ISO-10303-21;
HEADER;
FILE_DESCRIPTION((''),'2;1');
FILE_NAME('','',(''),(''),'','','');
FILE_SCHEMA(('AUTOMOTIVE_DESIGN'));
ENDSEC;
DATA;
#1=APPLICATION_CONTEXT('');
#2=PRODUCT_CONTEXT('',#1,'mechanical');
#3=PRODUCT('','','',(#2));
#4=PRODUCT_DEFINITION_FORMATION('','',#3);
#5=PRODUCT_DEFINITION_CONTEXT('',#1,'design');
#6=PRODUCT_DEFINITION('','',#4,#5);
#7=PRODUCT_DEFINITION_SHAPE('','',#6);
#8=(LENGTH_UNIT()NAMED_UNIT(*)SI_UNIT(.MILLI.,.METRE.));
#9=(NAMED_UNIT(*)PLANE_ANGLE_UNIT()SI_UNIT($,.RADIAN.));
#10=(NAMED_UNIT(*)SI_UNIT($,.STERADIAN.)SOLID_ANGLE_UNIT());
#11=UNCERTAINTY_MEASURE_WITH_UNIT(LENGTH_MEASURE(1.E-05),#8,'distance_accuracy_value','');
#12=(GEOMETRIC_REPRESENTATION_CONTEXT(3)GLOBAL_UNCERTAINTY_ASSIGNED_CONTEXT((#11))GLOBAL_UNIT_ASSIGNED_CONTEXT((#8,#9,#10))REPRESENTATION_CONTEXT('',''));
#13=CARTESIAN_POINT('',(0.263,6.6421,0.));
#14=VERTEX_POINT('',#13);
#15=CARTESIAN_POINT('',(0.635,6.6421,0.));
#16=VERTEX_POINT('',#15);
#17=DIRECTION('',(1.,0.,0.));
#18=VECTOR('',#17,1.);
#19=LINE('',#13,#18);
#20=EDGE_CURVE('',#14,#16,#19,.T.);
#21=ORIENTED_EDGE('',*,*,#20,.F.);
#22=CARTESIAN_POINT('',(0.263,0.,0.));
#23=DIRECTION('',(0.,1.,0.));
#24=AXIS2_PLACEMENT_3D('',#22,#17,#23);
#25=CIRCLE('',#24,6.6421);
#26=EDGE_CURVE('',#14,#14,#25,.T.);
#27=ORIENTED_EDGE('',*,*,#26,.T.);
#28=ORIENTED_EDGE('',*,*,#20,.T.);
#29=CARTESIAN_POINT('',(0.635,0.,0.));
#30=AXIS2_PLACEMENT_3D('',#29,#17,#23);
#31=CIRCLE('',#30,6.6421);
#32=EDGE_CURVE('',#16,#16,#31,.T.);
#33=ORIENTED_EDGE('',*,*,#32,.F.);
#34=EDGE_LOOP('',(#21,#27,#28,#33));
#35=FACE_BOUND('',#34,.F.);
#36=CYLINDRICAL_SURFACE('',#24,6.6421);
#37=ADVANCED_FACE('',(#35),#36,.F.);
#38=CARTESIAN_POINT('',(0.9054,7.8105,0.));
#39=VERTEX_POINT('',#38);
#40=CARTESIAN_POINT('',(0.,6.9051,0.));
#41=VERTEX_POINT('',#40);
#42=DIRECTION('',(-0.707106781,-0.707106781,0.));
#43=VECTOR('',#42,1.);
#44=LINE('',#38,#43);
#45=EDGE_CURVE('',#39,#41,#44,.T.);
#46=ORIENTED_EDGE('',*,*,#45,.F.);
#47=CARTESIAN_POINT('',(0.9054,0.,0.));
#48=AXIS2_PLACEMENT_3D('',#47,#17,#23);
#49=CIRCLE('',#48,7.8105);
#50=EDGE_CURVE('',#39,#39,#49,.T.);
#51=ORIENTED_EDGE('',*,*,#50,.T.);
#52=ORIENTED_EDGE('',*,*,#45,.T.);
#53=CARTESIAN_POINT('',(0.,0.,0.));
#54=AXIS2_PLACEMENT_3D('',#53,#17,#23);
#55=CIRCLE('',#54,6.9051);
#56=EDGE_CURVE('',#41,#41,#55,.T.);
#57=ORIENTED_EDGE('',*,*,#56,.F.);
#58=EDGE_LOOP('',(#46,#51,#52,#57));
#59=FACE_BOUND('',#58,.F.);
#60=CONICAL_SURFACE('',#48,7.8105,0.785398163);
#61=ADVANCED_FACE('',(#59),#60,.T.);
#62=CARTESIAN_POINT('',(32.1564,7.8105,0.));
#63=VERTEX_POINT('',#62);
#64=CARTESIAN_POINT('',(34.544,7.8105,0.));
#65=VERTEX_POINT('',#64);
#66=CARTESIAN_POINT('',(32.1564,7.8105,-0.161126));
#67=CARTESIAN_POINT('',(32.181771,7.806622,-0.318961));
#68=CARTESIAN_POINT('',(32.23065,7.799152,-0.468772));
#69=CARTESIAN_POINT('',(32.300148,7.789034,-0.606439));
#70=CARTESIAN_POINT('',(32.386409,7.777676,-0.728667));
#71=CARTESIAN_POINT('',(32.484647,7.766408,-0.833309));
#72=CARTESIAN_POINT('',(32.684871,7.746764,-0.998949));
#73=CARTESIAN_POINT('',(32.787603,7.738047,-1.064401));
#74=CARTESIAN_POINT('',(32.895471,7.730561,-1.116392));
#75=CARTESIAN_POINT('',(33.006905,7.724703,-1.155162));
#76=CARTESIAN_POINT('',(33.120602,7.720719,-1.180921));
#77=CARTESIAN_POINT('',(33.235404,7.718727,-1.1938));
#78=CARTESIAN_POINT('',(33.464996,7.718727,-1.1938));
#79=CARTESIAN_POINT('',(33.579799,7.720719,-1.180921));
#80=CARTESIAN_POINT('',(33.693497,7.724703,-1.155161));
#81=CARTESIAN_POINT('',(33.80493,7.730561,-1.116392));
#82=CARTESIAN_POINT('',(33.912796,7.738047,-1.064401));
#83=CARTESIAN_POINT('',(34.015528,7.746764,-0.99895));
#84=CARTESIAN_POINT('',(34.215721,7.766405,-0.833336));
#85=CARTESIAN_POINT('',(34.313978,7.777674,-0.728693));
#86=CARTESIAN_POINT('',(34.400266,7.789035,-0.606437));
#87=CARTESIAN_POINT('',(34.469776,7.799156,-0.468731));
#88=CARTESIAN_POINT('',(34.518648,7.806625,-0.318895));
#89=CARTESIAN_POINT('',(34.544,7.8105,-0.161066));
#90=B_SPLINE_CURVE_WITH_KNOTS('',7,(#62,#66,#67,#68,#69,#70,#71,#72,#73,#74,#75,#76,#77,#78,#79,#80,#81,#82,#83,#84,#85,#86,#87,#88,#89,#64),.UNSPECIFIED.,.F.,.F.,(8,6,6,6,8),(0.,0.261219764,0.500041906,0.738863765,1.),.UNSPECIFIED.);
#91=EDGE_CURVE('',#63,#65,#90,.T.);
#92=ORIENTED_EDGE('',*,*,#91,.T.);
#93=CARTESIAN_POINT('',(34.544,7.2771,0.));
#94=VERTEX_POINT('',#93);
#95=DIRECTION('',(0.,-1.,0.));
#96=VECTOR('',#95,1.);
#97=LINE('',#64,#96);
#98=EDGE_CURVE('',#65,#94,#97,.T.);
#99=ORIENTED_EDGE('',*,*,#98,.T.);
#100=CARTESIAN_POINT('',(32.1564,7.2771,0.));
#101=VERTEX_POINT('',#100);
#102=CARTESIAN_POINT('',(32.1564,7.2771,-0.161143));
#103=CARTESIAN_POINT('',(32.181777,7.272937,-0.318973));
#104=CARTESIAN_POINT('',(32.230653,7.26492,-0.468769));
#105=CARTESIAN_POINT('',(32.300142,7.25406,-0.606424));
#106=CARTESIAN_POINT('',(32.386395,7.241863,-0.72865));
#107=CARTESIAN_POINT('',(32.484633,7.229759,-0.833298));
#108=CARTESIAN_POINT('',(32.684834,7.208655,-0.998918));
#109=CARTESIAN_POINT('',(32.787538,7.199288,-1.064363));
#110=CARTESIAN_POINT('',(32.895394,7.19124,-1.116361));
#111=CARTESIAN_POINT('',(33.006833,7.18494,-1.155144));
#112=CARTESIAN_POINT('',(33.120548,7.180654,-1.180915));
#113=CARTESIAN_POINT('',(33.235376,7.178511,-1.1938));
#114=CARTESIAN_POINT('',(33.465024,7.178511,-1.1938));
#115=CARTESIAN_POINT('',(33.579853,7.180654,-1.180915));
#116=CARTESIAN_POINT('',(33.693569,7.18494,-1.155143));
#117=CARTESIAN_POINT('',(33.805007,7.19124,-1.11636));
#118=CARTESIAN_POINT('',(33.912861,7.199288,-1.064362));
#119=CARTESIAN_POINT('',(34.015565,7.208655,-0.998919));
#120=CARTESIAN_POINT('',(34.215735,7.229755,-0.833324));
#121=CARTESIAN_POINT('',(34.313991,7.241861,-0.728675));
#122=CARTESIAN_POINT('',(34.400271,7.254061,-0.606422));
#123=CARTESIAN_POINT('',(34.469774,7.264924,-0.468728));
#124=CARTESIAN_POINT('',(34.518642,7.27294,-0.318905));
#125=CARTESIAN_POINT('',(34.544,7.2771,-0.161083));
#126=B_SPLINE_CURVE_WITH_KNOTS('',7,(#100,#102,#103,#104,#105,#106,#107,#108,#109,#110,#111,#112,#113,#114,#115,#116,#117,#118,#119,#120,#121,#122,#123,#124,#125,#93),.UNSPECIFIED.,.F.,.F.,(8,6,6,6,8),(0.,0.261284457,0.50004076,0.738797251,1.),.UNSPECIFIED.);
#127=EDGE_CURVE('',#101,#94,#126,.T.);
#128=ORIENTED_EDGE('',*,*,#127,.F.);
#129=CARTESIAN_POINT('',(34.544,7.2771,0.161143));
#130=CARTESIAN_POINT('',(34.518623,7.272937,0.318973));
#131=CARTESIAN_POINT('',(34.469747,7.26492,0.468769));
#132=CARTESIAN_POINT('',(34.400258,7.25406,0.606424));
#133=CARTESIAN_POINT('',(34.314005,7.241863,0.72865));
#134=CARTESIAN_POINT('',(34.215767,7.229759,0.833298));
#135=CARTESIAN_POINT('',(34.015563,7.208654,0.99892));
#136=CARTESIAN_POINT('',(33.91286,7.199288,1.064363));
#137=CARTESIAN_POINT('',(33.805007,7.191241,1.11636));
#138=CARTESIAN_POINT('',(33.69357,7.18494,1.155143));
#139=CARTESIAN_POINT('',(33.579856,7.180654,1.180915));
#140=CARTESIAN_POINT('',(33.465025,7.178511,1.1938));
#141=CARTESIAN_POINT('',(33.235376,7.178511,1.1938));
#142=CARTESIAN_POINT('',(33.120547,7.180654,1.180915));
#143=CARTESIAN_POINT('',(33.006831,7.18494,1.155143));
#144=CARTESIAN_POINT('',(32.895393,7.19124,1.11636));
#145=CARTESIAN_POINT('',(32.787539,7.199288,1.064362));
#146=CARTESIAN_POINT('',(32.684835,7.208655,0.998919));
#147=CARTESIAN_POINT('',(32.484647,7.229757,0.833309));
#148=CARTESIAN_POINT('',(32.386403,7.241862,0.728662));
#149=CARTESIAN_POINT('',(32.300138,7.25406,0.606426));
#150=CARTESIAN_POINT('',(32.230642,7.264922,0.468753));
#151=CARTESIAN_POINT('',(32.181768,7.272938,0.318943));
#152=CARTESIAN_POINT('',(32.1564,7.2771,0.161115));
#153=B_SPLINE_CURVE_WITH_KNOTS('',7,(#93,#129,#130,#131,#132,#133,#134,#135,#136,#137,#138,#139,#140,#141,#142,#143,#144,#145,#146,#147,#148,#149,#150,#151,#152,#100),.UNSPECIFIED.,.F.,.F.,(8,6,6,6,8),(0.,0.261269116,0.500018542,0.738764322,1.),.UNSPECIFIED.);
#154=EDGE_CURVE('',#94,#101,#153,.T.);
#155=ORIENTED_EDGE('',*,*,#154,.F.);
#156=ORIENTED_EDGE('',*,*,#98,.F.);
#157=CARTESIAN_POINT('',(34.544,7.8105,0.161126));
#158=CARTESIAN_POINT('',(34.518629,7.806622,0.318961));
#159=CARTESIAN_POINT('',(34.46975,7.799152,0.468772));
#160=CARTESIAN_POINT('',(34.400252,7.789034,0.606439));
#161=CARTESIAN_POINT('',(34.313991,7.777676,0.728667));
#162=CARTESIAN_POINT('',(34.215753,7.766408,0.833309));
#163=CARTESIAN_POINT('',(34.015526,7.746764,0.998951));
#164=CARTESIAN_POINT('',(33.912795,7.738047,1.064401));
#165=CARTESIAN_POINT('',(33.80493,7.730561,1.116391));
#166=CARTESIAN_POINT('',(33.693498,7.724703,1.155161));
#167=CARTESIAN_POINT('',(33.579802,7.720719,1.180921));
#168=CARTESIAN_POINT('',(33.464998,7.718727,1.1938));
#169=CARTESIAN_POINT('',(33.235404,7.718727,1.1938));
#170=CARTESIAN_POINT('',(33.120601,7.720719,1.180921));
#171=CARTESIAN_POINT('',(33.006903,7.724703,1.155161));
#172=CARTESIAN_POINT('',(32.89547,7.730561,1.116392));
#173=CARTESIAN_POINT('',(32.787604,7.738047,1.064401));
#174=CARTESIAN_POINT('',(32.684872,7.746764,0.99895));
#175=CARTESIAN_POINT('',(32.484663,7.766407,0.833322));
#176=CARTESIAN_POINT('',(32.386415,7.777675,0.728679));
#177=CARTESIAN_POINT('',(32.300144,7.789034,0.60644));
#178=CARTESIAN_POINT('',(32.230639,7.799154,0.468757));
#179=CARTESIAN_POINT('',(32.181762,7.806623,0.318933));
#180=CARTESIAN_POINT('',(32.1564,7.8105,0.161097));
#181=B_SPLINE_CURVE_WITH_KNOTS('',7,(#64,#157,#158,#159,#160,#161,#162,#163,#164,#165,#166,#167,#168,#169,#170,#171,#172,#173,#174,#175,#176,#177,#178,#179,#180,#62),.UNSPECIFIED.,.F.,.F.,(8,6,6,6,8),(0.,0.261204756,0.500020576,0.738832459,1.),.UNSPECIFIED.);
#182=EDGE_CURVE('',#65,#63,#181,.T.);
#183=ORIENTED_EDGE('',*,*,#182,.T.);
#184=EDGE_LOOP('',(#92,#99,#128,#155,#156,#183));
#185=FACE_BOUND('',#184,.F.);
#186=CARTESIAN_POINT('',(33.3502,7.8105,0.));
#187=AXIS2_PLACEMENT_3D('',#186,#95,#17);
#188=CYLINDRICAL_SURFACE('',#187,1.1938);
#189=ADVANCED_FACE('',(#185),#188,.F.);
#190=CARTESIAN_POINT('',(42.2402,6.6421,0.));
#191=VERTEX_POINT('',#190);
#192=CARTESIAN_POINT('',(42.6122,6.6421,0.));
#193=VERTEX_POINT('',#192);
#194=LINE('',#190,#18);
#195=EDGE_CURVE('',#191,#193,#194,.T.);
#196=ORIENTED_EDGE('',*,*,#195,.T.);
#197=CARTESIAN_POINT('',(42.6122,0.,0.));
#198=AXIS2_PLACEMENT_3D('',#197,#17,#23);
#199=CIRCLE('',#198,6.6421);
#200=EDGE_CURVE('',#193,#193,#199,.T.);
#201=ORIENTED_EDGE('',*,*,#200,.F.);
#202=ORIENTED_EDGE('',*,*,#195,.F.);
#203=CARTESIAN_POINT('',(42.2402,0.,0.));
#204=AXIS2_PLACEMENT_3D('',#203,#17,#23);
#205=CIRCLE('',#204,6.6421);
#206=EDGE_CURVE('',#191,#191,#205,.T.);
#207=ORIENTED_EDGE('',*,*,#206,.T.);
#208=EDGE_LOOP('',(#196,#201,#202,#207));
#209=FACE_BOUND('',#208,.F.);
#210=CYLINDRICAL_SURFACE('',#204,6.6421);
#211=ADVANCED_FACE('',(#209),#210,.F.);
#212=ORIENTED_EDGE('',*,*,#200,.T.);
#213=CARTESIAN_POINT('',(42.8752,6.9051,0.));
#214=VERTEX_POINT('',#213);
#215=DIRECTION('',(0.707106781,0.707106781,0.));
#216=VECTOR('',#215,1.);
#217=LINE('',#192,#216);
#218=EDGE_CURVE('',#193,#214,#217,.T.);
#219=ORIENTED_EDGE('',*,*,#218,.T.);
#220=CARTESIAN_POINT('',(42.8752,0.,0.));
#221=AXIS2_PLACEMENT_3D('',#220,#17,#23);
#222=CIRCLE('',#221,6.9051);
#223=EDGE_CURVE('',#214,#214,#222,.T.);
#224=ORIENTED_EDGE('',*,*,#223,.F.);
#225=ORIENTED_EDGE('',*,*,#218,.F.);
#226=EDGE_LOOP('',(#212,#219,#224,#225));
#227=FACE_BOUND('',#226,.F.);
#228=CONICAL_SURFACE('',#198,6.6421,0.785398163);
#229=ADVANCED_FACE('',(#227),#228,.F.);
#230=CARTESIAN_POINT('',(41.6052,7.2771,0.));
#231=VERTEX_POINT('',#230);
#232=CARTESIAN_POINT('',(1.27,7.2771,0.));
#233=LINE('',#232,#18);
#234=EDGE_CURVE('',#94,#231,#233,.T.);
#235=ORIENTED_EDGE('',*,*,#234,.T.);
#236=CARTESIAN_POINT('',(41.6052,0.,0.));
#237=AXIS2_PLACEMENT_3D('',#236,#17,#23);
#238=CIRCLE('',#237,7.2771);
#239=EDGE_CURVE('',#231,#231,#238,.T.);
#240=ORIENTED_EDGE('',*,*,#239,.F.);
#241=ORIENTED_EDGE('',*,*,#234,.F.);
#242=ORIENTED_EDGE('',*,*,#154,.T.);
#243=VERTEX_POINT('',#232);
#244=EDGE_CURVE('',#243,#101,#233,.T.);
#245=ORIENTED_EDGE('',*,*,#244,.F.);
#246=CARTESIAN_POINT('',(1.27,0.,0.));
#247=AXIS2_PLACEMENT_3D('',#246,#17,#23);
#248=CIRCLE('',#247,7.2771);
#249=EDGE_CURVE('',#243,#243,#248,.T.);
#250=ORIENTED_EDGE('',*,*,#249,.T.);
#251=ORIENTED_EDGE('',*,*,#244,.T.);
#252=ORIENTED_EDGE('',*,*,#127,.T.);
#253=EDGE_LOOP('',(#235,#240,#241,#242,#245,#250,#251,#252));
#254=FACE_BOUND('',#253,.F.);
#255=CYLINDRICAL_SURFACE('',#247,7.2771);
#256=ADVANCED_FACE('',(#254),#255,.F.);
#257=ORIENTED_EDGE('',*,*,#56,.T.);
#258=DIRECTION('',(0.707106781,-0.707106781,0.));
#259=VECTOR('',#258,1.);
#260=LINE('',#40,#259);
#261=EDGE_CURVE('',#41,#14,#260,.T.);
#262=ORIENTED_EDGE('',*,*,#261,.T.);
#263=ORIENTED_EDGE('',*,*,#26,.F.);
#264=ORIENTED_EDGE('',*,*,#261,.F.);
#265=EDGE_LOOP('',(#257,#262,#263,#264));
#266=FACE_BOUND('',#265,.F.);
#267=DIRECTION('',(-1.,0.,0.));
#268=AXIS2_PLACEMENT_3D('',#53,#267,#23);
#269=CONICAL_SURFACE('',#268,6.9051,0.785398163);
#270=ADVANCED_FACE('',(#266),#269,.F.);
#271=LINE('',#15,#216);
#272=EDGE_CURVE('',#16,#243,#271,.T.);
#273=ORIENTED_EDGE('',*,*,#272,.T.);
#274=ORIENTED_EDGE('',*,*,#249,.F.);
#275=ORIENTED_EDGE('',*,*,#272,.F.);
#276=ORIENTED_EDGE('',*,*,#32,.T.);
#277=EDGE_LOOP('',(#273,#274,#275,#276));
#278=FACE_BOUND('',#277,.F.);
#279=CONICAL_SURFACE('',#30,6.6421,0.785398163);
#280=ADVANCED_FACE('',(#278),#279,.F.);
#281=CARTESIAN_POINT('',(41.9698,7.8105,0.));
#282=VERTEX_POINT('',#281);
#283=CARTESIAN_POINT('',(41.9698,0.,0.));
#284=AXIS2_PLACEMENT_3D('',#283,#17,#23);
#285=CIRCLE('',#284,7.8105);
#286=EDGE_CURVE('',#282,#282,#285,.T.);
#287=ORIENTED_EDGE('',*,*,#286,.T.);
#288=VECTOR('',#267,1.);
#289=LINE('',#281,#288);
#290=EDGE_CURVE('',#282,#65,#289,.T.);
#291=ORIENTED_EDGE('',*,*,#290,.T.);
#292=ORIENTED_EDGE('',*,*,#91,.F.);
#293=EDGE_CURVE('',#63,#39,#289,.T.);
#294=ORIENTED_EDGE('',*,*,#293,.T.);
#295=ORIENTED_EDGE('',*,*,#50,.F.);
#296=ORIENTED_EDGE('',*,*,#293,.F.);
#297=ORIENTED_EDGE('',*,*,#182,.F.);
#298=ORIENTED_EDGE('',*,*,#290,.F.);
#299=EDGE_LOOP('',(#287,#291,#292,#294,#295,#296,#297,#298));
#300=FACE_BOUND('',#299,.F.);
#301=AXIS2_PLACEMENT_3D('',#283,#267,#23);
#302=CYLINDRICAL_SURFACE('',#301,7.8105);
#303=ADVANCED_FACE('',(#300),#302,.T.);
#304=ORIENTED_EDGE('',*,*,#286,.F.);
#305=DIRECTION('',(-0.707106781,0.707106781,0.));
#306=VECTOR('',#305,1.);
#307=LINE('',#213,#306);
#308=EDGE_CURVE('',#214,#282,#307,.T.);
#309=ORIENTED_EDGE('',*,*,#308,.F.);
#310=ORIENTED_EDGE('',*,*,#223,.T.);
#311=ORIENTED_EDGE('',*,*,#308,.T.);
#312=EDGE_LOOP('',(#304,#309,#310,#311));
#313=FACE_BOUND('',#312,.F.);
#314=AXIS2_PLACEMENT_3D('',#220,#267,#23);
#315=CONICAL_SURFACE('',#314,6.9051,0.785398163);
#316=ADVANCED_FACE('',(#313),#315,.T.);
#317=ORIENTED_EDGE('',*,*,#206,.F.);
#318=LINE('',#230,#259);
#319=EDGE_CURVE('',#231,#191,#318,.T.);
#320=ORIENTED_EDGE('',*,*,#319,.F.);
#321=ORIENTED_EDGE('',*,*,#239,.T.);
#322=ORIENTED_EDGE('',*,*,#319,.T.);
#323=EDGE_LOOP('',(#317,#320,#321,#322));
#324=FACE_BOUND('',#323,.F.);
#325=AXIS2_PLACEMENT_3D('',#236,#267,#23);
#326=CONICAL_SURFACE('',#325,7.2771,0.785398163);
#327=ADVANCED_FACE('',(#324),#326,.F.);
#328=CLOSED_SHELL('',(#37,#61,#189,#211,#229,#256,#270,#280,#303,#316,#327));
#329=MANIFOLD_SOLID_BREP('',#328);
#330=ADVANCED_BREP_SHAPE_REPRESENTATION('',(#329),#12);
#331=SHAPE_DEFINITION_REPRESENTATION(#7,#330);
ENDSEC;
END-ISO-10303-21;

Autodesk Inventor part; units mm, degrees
sketch "Sketch_5" plane through (0, 0, 0) normal (0, 0, 1) x (1, 0, 0)
  line L0 (42.8752, 0) -> (-42.8752, 0)
  line L1 (0, 6.9051) -> (0.263, 6.6421)
  line L2 (0.263, 6.6421) -> (0.635, 6.6421)
  line L3 (0.635, 6.6421) -> (1.27, 7.2771)
  line L4 (1.27, 7.2771) -> (41.6052, 7.2771)
  line L5 (41.6052, 7.2771) -> (42.2402, 6.6421)
  line L6 (42.2402, 6.6421) -> (42.6122, 6.6421)
  line L7 (42.6122, 6.6421) -> (42.8752, 6.9051)
  line L8 (42.8752, 6.9051) -> (41.9698, 7.8105)
  line L9 (41.9698, 7.8105) -> (0.9054, 7.8105)
  line L10 (0.9054, 7.8105) -> (0, 6.9051)
revolve "Revolution1" add sketch "Sketch_5" angle 360 about axis through (42.8752, 0, 0) along (1, 0, 0)
sketch "Sketch_1" plane through (0, 0, 0) normal (0, 0, 1) x (1, 0, 0)
  line L0 (33.3502, 0) -> (33.3502, 7.8105)
  line L1 (33.3502, 7.8105) -> (34.544, 7.8105)
  line L2 (34.544, 7.8105) -> (34.544, 0)
  line L3 (34.544, 0) -> (33.3502, 0)
  line L4 (33.3502, 0) -> (33.3502, 7.8105)
revolve "Revolution2" cut sketch "Sketch_1" angle 360 about axis through (33.3502, 0, 0) along (0, -1, 0)
ref_plane "o1_XY" through (0, -7.8105, 0) normal (1, 0, 0) x (0, 0, -1)
ref_plane "o1_YZ" through (0, -7.8105, 0) normal (0, 0, -1) x (0, 1, 0)
ref_plane "o1_ZX" through (0, -7.8105, 0) normal (0, 1, 0) x (1, 0, 0)
ref_plane "o2_XY" through (0, 7.8105, 0) normal (1, 0, 0) x (0, 0, -1)
ref_plane "o2_YZ" through (0, 7.8105, 0) normal (0, 0, -1) x (0, 1, 0)
ref_plane "o2_ZX" through (0, 7.8105, 0) normal (0, 1, 0) x (1, 0, 0)
ref_plane "t1_XY" through (21.4376, 7.8105, 0) normal (1, 0, 0) x (0, 0, -1)
ref_plane "t1_YZ" through (21.4376, 7.8105, 0) normal (0, 0, -1) x (0, 1, 0)
ref_plane "t1_ZX" through (21.4376, 7.8105, 0) normal (0, 1, 0) x (1, 0, 0)
ref_plane "t2_XY" through (21.4376, 0, -7.8105) normal (1, 0, 0) x (0, 0, -1)
ref_plane "t2_YZ" through (21.4376, 0, -7.8105) normal (0, 0, -1) x (0, 1, 0)
ref_plane "t2_ZX" through (21.4376, 0, -7.8105) normal (0, 1, 0) x (1, 0, 0)
ref_plane "t3_XY" through (21.4376, -7.8105, 0) normal (1, 0, 0) x (0, 0, -1)
ref_plane "t3_YZ" through (21.4376, -7.8105, 0) normal (0, 0, -1) x (0, 1, 0)
ref_plane "t3_ZX" through (21.4376, -7.8105, 0) normal (0, 1, 0) x (1, 0, 0)
ref_plane "t4_XY" through (21.4376, 0, 7.8105) normal (1, 0, 0) x (0, 0, -1)
ref_plane "t4_YZ" through (21.4376, 0, 7.8105) normal (0, 0, -1) x (0, 1, 0)
ref_plane "t4_ZX" through (21.4376, 0, 7.8105) normal (0, 1, 0) x (1, 0, 0)
ref_plane "tube1_XY" through (1.27, 0, 0) normal (1, 0, 0) x (0, 0, -1)
ref_plane "tube1_YZ" through (1.27, 0, 0) normal (0, 0, -1) x (0, 1, 0)
ref_plane "tube1_ZX" through (1.27, 0, 0) normal (0, 1, 0) x (1, 0, 0)
ref_plane "tube2_XY" through (41.6052, 0, 0) normal (1, 0, 0) x (0, 0, -1)
ref_plane "tube2_YZ" through (41.6052, 0, 0) normal (0, 0, -1) x (0, 1, 0)
ref_plane "tube2_ZX" through (41.6052, 0, 0) normal (0, 1, 0) x (1, 0, 0)
properties part number "D-75938XP-1.688"
